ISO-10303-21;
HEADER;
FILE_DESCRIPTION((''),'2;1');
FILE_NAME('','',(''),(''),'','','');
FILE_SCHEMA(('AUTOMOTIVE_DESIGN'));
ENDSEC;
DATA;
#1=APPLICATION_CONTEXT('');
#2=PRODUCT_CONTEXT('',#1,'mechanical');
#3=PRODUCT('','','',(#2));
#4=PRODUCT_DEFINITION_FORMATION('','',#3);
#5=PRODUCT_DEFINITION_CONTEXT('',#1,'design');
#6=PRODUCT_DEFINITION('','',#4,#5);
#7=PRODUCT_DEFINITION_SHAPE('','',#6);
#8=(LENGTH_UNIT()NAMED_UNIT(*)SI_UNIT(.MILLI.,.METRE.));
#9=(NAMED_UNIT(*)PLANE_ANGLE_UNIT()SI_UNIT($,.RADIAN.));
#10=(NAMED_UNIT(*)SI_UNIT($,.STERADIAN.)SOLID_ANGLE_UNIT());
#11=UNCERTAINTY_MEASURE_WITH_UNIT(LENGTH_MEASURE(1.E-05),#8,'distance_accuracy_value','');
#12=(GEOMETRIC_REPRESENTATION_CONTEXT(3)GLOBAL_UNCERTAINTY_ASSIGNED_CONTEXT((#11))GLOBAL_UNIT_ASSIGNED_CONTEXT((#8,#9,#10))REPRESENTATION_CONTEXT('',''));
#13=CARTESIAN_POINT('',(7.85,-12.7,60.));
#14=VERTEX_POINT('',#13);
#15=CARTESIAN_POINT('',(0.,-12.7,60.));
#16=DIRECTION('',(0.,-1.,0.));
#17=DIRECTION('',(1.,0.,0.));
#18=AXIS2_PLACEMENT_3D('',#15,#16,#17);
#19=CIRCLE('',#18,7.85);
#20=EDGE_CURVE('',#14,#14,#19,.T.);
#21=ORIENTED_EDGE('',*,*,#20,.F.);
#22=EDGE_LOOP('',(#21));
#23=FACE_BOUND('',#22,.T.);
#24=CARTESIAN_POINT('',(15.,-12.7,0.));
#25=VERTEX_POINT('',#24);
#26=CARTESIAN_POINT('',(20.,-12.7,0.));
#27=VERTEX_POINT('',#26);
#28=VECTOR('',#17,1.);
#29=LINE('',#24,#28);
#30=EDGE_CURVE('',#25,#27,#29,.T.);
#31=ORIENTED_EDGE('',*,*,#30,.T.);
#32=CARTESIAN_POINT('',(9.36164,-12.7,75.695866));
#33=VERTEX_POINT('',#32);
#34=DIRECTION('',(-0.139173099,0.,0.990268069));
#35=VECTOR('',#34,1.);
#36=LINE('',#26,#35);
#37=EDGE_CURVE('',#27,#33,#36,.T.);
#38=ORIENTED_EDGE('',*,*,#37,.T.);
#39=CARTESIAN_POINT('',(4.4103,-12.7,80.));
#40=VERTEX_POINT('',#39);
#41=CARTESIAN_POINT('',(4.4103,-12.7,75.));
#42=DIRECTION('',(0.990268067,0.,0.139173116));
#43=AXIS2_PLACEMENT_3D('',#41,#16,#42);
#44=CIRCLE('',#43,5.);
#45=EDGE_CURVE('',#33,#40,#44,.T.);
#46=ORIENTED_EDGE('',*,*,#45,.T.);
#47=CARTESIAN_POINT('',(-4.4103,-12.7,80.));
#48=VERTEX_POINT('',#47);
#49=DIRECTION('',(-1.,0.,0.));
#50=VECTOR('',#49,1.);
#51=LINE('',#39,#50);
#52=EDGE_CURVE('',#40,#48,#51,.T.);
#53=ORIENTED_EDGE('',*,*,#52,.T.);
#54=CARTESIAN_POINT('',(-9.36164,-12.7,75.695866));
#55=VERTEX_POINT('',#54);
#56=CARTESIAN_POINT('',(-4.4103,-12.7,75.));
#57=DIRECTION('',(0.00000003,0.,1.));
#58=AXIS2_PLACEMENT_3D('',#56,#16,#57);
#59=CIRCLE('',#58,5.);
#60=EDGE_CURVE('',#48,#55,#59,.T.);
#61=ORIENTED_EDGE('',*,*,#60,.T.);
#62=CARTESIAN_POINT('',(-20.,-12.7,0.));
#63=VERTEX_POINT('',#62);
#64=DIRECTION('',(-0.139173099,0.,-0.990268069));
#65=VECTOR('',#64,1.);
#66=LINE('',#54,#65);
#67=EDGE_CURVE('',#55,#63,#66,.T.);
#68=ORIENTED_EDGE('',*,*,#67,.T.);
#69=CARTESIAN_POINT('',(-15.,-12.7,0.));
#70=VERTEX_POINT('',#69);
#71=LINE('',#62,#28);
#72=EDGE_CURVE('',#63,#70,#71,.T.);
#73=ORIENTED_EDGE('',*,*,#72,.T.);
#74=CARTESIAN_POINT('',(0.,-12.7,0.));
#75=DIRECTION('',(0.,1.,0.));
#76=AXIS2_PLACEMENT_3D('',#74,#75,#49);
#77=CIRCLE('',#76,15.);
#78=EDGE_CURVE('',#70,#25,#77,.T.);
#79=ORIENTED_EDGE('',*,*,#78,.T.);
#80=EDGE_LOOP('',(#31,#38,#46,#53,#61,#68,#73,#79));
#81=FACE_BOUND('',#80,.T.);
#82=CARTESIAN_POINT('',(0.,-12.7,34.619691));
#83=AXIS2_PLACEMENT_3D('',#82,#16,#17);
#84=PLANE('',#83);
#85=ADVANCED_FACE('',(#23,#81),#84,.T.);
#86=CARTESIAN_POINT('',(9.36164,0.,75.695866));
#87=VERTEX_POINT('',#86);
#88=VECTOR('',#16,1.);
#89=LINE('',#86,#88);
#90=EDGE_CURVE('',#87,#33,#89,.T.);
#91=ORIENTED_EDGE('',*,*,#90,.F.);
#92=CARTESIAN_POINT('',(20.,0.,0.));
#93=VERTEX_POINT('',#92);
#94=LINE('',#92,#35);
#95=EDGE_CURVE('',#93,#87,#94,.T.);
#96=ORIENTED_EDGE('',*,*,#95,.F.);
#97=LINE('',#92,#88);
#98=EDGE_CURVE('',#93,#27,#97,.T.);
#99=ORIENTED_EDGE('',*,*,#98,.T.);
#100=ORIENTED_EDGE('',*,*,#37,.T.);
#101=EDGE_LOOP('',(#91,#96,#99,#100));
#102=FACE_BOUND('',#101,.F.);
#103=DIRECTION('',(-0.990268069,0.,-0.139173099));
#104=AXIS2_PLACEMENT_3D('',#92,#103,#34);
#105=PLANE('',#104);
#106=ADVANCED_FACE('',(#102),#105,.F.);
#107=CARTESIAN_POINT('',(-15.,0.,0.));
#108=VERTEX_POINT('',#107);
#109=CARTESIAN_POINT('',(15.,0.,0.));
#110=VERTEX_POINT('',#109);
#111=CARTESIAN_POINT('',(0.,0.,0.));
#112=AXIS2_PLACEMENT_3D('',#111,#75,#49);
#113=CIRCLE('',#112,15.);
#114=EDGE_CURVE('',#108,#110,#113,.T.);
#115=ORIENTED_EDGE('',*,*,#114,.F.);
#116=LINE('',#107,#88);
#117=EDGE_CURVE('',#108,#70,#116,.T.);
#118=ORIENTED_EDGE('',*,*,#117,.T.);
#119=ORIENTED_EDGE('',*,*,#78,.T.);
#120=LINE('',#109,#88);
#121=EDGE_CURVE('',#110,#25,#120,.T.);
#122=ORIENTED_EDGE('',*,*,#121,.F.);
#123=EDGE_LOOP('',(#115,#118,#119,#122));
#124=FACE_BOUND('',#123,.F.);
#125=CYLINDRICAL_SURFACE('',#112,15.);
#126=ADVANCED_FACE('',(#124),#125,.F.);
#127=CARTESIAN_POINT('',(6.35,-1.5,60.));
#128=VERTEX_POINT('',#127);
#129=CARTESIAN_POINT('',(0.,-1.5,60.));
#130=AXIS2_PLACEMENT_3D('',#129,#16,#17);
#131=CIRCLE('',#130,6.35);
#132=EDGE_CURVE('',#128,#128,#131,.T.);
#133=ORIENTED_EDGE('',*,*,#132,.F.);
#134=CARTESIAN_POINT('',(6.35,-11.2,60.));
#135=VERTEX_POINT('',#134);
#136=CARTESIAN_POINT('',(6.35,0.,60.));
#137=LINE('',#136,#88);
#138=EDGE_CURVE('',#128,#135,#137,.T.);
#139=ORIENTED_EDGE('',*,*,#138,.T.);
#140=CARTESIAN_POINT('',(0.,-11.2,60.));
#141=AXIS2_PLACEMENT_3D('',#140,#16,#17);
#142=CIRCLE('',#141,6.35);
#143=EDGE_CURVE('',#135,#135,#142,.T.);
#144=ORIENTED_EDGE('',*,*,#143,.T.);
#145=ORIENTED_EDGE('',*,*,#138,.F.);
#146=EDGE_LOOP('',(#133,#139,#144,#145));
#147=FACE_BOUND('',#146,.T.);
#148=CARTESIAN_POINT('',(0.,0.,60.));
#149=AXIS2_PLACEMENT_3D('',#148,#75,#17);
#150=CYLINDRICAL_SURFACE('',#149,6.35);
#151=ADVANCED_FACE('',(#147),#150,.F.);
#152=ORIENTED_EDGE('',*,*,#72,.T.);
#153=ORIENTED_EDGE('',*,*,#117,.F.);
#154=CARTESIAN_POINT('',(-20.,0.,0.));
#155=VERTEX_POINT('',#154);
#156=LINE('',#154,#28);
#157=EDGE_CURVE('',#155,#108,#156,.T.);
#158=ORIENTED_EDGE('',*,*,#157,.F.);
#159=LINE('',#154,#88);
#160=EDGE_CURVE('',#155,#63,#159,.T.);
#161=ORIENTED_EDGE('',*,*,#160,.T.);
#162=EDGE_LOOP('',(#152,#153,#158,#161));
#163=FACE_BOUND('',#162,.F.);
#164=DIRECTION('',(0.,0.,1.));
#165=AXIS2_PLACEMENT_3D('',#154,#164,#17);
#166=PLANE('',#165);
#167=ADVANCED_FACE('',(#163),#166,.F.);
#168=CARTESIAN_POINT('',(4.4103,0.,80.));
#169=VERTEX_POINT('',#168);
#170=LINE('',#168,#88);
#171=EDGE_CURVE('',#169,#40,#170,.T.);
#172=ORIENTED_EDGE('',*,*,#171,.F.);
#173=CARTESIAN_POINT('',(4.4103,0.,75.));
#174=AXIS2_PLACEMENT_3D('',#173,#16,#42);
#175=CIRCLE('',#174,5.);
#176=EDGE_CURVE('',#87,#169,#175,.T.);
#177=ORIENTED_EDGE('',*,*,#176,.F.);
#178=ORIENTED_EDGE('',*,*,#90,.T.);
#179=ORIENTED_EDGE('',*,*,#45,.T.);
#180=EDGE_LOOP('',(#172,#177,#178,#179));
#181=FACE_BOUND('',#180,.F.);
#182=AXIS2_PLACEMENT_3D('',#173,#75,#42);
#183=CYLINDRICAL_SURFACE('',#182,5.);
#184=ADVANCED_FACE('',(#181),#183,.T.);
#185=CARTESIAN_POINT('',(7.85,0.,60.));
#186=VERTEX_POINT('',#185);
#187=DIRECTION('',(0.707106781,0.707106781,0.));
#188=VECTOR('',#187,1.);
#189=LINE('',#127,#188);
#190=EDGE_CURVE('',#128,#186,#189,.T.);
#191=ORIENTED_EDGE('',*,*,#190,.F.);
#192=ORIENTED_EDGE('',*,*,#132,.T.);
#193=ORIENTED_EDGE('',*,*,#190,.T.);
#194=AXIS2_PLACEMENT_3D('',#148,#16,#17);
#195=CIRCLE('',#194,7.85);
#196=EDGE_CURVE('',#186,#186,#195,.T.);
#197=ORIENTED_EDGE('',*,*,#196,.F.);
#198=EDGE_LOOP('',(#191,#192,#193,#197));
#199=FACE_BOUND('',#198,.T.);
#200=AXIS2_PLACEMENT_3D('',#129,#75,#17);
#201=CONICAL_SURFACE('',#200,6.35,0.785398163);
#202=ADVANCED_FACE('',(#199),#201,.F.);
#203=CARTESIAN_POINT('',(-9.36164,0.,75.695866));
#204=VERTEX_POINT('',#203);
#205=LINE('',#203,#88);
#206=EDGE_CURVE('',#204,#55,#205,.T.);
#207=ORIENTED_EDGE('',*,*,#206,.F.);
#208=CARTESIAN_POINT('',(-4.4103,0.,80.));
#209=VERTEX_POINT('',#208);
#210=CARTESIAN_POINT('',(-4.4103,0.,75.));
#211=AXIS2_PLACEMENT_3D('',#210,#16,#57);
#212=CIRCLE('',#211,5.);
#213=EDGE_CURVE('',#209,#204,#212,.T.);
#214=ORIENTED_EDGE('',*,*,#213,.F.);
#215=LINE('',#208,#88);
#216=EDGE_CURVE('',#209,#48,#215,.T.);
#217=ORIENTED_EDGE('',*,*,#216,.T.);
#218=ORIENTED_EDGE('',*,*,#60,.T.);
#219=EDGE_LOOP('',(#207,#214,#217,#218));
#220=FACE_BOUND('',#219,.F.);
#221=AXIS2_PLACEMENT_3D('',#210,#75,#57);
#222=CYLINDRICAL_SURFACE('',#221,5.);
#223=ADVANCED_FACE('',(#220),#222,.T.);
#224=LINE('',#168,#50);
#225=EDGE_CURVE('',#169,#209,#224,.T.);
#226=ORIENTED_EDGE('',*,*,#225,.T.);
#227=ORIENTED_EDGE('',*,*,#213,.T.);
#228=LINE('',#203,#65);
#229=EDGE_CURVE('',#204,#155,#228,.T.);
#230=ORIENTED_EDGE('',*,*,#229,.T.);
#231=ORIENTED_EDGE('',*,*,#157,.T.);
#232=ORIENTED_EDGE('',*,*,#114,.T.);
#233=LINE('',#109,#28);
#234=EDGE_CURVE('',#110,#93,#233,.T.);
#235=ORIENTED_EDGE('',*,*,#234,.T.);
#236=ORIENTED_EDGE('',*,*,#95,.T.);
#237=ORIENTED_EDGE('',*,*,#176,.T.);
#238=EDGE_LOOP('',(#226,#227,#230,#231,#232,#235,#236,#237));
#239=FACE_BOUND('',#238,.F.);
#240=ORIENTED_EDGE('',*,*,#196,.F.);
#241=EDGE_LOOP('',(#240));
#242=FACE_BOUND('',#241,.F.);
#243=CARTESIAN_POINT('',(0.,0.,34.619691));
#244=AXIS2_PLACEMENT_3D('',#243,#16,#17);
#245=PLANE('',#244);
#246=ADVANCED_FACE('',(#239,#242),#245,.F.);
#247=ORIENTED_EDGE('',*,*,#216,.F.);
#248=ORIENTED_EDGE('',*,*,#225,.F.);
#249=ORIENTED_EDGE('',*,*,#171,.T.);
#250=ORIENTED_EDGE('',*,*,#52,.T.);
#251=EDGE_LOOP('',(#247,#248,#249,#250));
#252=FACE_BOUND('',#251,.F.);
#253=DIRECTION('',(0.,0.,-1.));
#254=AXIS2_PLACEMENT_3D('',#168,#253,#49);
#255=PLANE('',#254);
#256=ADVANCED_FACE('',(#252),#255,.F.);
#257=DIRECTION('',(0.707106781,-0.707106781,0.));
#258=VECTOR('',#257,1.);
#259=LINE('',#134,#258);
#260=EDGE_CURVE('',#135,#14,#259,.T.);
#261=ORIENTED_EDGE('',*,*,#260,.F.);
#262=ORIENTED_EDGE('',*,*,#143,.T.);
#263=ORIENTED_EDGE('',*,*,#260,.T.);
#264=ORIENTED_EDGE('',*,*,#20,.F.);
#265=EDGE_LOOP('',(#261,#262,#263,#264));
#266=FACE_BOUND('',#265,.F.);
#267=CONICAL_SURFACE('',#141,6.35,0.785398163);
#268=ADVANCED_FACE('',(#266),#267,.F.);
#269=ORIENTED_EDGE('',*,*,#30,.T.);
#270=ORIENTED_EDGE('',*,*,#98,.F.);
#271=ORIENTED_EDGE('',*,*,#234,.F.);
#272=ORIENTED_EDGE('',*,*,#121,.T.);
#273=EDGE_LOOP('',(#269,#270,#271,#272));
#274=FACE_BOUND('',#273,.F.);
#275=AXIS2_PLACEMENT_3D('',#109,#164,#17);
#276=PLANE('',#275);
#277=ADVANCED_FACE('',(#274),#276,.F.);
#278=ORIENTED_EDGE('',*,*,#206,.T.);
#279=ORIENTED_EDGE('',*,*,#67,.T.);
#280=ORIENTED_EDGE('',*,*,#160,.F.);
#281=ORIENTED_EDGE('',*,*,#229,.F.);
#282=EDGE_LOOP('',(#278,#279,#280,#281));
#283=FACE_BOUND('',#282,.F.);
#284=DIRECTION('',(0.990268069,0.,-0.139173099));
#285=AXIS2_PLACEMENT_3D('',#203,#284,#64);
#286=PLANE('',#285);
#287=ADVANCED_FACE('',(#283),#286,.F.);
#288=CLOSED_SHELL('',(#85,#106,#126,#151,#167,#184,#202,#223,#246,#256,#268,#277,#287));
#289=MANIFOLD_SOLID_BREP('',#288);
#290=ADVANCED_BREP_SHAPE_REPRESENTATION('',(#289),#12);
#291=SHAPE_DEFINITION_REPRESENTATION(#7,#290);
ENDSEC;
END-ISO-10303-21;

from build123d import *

# Parameters (mm, degrees)
F0_R     = 6.35
F1_DEPTH = 12.7
F2_SIZE  = 1.5


with BuildPart() as f1:
    # F0 (on Front) → F1 (new body)
    with BuildSketch(Plane.XZ):
        with BuildLine():
            Line((20, 0), (9.36164, 75.695866))
            ThreePointArc((9.36164, 75.695866), (7.690595, 78.773548), (4.4103, 80))
            Line((4.4103, 80), (-4.4103, 80))
            ThreePointArc((-4.4103, 80), (-7.690595, 78.773548), (-9.36164, 75.695866))
            Line((-9.36164, 75.695866), (-20, 0))
            Line((-20, 0), (-15, 0))
            ThreePointArc((-15, 0), (0, 15), (15, 0))
            Line((15, 0), (20, 0))
        make_face()
        with Locations((0, 60)):
            Circle(F0_R, mode=Mode.SUBTRACT)
    extrude(amount=F1_DEPTH)

    # F2
    f2_edges = [f1.edges().sort_by_distance(p)[0] for p in [
        (-6.35, -12.7, 60),
        (-6.35, 0, 60),
    ]]
    chamfer(f2_edges, length=F2_SIZE)


solid = f1.part
